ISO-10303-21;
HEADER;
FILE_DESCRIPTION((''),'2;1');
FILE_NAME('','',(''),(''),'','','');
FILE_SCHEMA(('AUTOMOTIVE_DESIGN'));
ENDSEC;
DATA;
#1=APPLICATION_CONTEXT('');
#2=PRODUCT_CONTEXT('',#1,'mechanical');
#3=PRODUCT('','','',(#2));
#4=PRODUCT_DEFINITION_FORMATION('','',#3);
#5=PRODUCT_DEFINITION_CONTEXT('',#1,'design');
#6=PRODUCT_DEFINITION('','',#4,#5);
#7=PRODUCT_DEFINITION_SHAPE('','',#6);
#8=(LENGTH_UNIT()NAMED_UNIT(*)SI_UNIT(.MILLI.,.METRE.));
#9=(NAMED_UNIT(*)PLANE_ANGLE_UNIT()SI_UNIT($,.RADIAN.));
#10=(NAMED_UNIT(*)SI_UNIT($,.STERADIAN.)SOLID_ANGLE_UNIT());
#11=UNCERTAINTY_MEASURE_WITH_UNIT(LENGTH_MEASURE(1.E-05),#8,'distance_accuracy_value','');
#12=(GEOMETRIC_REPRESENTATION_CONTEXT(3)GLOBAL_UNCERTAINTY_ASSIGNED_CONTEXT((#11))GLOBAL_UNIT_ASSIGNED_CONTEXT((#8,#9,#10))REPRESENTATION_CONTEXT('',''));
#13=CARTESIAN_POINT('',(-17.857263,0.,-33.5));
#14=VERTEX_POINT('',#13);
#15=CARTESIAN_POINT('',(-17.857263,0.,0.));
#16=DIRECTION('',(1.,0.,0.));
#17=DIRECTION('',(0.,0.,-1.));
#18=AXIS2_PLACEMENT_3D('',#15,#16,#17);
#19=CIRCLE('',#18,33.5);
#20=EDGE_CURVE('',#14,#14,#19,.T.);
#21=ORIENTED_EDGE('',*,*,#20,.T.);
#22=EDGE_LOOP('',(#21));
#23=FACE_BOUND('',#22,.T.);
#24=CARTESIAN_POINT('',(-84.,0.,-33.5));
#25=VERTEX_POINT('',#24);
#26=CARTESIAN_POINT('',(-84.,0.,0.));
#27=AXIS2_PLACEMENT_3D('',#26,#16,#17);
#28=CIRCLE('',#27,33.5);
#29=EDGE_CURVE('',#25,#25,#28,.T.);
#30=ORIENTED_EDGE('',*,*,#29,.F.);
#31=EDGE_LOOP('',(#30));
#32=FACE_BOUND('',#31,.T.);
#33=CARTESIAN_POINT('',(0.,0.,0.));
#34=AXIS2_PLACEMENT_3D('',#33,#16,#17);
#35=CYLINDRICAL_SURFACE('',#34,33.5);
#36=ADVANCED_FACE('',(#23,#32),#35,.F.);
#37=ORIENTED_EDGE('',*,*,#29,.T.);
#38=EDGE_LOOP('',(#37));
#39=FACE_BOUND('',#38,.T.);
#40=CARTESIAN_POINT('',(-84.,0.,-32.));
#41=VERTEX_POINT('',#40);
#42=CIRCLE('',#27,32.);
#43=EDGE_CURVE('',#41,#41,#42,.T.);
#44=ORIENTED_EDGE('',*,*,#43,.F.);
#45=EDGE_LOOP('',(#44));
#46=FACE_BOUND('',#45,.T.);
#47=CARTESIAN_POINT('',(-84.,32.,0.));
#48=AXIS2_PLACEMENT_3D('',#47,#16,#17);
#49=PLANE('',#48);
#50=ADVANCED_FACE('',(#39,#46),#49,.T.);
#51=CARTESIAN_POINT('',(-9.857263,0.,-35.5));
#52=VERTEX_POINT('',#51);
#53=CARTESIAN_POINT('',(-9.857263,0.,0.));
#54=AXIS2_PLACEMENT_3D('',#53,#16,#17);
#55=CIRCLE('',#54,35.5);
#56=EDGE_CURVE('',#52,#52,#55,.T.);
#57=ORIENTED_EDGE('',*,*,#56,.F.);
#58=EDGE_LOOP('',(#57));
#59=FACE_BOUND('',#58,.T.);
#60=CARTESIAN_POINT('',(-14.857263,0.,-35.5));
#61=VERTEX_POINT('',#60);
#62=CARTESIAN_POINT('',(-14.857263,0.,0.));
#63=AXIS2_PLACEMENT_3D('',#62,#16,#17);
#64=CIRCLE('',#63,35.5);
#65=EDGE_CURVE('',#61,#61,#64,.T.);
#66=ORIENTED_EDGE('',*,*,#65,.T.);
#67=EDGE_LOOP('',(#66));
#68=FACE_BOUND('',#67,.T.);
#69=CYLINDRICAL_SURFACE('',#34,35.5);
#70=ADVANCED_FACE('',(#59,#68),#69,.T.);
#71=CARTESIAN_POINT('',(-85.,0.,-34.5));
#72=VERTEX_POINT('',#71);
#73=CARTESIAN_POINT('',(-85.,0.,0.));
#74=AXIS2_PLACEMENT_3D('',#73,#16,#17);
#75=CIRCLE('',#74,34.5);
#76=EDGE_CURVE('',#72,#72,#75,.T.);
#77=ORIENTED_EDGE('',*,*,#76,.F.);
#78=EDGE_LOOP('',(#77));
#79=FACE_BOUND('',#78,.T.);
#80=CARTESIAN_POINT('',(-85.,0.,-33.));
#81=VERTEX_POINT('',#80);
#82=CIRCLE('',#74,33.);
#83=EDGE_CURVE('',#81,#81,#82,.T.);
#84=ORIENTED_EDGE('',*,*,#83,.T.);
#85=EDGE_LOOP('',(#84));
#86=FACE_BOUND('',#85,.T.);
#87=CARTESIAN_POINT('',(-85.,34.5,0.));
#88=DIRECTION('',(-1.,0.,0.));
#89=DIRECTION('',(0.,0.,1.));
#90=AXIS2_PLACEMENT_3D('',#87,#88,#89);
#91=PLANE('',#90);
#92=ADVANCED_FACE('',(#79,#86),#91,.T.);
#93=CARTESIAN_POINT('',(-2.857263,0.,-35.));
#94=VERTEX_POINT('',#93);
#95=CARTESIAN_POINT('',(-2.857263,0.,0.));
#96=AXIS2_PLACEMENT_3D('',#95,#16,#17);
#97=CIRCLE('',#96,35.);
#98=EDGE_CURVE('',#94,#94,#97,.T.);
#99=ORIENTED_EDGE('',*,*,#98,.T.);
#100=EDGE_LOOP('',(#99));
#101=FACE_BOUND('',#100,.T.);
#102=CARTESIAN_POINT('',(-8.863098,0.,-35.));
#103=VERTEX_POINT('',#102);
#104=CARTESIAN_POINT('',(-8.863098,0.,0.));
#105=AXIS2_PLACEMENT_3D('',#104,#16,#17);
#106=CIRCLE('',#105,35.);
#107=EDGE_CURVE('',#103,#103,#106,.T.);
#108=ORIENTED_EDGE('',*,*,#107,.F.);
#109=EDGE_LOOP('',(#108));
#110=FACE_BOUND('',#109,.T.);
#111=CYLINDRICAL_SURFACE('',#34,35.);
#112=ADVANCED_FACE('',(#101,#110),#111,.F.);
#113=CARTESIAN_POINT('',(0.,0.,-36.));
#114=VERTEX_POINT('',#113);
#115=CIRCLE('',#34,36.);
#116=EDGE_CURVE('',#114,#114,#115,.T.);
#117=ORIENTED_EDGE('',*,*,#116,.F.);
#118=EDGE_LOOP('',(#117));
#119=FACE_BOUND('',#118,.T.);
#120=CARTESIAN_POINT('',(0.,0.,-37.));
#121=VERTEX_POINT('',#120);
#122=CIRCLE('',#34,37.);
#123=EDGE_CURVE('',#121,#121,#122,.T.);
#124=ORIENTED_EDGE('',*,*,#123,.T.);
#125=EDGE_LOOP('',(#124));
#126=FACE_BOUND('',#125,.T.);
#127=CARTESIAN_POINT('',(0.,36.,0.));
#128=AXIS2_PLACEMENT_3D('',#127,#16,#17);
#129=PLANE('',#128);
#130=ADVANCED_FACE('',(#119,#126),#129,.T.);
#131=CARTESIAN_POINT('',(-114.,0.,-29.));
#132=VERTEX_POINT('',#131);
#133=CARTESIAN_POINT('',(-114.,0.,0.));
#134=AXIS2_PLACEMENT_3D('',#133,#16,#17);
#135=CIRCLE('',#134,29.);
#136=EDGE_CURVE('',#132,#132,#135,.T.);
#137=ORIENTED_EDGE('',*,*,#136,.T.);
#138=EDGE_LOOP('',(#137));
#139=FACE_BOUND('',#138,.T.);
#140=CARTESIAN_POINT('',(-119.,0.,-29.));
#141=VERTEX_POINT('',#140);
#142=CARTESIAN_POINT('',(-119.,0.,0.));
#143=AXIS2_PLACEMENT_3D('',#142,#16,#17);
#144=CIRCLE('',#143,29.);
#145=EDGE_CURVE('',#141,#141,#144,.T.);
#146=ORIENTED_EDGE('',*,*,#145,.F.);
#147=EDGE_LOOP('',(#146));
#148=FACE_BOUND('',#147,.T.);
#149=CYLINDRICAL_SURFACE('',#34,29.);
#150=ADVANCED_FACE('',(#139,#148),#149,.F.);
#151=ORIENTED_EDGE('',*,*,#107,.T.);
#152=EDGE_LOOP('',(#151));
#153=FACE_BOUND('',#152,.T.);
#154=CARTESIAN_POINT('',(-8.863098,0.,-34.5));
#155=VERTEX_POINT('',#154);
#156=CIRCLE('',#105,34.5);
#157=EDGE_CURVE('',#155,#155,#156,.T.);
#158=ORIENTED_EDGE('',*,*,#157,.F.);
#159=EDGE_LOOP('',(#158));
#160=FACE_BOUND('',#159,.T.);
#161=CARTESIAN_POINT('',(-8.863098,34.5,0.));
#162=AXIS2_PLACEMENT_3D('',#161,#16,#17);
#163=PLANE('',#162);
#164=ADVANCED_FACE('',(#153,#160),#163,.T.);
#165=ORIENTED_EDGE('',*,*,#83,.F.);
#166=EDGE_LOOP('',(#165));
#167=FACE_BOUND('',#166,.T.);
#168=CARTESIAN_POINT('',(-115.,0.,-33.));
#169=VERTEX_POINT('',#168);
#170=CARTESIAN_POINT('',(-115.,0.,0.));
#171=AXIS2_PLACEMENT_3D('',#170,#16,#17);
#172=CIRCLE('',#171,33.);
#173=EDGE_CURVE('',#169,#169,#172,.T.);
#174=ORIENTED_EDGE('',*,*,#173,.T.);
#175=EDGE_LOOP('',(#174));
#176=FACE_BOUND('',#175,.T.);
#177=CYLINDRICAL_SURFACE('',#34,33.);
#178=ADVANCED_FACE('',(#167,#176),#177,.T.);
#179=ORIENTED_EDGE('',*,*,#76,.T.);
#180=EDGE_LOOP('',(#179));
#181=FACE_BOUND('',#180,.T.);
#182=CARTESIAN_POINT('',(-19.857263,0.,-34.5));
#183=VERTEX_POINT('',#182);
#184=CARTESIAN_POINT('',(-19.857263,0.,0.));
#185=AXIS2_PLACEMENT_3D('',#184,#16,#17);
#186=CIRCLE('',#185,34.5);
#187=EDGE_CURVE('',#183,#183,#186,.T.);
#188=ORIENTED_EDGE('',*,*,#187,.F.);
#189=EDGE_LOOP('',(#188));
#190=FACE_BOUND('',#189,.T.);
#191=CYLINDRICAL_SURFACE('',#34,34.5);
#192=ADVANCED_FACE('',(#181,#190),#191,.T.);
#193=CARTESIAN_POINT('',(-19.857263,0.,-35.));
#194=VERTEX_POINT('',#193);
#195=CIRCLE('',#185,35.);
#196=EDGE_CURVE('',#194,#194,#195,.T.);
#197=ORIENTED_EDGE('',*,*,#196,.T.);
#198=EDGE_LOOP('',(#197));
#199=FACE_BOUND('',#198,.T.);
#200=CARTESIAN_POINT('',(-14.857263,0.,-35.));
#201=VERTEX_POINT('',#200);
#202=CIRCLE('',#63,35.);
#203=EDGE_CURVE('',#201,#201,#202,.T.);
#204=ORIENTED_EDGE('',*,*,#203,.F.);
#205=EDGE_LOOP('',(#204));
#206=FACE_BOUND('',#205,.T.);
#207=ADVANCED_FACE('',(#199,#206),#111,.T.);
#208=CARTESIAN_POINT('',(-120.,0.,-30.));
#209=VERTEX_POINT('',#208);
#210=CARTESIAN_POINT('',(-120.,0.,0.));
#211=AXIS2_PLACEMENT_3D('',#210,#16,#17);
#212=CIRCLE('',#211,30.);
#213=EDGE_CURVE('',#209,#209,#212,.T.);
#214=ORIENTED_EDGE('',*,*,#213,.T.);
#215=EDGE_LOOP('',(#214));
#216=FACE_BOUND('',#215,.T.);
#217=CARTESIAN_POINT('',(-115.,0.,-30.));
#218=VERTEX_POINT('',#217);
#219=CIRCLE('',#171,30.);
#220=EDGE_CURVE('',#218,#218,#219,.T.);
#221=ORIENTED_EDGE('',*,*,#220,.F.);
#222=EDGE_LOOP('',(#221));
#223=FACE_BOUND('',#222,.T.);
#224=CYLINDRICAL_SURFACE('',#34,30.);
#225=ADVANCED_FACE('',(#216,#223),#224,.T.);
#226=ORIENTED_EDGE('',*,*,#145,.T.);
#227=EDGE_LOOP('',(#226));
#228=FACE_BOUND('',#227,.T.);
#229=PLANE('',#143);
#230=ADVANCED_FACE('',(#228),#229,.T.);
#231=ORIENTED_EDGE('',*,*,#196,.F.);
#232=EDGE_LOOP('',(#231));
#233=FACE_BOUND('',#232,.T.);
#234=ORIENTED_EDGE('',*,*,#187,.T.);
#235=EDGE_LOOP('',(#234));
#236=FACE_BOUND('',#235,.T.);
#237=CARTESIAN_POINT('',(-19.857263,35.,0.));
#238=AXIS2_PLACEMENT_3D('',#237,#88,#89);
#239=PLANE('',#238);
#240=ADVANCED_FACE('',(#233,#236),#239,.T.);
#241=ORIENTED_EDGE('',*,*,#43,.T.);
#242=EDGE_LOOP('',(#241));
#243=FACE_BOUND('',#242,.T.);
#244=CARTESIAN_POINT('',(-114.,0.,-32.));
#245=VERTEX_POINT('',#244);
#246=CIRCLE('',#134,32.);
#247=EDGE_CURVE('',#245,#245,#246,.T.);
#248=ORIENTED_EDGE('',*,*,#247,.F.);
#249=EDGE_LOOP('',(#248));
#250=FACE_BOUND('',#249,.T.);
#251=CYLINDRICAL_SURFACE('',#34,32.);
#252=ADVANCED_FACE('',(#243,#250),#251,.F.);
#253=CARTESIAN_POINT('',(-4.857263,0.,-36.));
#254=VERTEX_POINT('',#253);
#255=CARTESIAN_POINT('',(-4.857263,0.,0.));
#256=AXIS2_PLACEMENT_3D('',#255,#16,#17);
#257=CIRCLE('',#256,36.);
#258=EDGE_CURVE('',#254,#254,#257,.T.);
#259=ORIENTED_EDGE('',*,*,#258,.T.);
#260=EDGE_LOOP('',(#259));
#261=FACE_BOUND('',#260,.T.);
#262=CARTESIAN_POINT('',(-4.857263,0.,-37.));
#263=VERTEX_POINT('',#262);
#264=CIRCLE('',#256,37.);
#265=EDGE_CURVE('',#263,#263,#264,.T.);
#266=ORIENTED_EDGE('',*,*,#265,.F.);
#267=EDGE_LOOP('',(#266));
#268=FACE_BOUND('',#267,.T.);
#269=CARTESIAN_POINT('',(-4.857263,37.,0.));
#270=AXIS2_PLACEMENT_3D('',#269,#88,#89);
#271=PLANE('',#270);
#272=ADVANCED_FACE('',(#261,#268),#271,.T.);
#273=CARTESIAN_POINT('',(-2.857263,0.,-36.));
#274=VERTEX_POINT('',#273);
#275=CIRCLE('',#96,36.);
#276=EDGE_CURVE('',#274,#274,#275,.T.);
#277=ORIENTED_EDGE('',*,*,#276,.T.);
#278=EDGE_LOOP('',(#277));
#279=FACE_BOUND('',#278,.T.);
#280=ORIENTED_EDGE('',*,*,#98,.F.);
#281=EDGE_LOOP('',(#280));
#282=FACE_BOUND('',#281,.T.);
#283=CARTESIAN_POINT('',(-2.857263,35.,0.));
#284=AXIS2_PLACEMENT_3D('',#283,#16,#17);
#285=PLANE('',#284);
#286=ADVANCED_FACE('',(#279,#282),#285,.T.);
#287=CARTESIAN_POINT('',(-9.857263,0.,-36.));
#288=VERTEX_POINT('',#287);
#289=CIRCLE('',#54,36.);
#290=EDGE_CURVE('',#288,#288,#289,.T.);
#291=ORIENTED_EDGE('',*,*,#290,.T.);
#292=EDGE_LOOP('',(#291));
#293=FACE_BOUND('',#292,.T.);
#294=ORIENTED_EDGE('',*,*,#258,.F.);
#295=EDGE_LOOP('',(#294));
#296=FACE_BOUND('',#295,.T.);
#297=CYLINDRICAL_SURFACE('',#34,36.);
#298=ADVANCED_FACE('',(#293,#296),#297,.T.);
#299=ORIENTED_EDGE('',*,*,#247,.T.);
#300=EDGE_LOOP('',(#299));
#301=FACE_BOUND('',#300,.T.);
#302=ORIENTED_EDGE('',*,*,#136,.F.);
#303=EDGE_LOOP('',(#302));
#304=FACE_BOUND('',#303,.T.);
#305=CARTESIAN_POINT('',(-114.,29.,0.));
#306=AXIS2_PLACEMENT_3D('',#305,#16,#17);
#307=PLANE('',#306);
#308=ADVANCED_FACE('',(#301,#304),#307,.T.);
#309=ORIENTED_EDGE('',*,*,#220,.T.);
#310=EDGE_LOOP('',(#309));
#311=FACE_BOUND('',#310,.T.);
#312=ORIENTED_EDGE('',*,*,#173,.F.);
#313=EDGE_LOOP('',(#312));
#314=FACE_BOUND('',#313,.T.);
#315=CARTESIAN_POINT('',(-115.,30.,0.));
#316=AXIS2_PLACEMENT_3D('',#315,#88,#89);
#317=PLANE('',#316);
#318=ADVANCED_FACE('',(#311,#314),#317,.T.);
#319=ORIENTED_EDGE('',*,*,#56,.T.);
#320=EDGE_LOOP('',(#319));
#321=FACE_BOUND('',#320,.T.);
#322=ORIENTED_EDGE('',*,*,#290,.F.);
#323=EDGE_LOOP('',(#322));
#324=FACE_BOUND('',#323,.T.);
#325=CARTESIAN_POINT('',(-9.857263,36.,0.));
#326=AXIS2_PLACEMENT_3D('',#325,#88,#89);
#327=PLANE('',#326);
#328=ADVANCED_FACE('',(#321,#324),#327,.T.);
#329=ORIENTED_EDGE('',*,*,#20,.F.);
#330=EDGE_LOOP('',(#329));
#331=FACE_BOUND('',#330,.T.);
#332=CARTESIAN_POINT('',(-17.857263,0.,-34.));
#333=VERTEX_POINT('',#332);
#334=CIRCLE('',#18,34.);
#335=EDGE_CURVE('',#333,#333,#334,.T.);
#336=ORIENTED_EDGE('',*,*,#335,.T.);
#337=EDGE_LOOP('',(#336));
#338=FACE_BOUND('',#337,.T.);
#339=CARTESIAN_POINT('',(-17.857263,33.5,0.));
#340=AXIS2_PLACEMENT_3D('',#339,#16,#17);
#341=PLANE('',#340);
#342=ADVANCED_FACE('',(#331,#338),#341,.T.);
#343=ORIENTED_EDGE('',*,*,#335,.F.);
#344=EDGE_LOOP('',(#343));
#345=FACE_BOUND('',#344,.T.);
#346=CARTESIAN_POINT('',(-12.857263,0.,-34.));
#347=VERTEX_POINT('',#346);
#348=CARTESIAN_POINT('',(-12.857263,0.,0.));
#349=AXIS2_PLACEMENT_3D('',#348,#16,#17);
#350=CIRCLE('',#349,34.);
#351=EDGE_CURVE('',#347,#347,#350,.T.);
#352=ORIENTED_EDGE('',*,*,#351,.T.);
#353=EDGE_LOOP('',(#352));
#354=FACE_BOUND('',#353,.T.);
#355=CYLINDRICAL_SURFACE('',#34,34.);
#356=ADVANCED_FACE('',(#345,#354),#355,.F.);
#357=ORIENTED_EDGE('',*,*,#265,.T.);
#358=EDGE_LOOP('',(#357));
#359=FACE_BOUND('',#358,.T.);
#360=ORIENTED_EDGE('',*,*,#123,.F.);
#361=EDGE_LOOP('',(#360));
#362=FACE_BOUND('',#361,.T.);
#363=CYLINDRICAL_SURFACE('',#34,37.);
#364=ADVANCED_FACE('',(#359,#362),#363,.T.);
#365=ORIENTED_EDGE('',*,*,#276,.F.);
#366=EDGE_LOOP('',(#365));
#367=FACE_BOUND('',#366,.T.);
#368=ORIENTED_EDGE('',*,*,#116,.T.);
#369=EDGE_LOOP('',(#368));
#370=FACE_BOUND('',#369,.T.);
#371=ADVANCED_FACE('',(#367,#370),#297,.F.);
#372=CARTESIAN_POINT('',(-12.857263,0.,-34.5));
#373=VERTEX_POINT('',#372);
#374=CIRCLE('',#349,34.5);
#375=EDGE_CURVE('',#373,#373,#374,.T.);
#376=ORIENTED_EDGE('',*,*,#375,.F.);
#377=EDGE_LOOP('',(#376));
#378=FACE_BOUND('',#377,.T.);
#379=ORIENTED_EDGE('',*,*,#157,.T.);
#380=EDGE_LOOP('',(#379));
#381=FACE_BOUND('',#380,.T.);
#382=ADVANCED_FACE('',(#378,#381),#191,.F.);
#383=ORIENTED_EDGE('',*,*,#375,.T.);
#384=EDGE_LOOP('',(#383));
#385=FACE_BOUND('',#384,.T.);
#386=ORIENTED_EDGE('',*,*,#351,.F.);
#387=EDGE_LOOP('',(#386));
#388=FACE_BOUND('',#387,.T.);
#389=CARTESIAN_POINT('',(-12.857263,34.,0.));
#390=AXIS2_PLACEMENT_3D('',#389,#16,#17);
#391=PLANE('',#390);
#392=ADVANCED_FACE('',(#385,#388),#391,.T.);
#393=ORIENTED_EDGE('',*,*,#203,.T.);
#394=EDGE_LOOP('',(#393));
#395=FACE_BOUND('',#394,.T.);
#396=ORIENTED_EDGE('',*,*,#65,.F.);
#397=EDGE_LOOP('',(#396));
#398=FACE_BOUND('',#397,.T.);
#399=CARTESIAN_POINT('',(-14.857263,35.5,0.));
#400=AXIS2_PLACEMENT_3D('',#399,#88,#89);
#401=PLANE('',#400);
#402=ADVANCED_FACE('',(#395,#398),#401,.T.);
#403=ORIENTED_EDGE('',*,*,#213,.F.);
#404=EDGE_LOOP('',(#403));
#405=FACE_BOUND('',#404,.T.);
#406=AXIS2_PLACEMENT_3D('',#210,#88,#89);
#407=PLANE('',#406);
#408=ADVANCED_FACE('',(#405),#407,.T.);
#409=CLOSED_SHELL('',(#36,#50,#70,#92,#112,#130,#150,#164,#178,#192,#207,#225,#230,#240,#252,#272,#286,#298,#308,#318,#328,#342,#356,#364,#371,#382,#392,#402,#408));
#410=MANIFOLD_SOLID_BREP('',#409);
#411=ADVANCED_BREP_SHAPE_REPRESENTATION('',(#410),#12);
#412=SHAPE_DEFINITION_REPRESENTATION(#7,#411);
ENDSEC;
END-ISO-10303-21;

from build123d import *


with BuildPart() as part:
    # Esquisse1 → Révolution1 (revolve)
    with BuildSketch(Plane.XY):
        Polygon((-120, 0), (-120, 30), (-115, 30), (-115, 33), (-85, 33), (-85, 34.5), (-19.857262544, 34.5), (-19.857262544, 35), (-14.857262544, 35), (-14.857262544, 35.5), (-9.857262544, 35.5), (-9.857262544, 36), (-4.857262544, 36), (-4.857262544, 37), (0, 37), (0, 36), (-2.857262544, 36), (-2.857262544, 35), (-8.863097737, 35), (-8.863097737, 34.5), (-12.857262544, 34.5), (-12.857262544, 34), (-17.857262544, 34), (-17.857262544, 33.5), (-84, 33.5), (-84, 32), (-114, 32), (-114, 29), (-119, 29), (-119, 0), align=None)
    revolve(axis=Axis((0, 0, 0), (-1, 0, 0)))


solid = part.part
